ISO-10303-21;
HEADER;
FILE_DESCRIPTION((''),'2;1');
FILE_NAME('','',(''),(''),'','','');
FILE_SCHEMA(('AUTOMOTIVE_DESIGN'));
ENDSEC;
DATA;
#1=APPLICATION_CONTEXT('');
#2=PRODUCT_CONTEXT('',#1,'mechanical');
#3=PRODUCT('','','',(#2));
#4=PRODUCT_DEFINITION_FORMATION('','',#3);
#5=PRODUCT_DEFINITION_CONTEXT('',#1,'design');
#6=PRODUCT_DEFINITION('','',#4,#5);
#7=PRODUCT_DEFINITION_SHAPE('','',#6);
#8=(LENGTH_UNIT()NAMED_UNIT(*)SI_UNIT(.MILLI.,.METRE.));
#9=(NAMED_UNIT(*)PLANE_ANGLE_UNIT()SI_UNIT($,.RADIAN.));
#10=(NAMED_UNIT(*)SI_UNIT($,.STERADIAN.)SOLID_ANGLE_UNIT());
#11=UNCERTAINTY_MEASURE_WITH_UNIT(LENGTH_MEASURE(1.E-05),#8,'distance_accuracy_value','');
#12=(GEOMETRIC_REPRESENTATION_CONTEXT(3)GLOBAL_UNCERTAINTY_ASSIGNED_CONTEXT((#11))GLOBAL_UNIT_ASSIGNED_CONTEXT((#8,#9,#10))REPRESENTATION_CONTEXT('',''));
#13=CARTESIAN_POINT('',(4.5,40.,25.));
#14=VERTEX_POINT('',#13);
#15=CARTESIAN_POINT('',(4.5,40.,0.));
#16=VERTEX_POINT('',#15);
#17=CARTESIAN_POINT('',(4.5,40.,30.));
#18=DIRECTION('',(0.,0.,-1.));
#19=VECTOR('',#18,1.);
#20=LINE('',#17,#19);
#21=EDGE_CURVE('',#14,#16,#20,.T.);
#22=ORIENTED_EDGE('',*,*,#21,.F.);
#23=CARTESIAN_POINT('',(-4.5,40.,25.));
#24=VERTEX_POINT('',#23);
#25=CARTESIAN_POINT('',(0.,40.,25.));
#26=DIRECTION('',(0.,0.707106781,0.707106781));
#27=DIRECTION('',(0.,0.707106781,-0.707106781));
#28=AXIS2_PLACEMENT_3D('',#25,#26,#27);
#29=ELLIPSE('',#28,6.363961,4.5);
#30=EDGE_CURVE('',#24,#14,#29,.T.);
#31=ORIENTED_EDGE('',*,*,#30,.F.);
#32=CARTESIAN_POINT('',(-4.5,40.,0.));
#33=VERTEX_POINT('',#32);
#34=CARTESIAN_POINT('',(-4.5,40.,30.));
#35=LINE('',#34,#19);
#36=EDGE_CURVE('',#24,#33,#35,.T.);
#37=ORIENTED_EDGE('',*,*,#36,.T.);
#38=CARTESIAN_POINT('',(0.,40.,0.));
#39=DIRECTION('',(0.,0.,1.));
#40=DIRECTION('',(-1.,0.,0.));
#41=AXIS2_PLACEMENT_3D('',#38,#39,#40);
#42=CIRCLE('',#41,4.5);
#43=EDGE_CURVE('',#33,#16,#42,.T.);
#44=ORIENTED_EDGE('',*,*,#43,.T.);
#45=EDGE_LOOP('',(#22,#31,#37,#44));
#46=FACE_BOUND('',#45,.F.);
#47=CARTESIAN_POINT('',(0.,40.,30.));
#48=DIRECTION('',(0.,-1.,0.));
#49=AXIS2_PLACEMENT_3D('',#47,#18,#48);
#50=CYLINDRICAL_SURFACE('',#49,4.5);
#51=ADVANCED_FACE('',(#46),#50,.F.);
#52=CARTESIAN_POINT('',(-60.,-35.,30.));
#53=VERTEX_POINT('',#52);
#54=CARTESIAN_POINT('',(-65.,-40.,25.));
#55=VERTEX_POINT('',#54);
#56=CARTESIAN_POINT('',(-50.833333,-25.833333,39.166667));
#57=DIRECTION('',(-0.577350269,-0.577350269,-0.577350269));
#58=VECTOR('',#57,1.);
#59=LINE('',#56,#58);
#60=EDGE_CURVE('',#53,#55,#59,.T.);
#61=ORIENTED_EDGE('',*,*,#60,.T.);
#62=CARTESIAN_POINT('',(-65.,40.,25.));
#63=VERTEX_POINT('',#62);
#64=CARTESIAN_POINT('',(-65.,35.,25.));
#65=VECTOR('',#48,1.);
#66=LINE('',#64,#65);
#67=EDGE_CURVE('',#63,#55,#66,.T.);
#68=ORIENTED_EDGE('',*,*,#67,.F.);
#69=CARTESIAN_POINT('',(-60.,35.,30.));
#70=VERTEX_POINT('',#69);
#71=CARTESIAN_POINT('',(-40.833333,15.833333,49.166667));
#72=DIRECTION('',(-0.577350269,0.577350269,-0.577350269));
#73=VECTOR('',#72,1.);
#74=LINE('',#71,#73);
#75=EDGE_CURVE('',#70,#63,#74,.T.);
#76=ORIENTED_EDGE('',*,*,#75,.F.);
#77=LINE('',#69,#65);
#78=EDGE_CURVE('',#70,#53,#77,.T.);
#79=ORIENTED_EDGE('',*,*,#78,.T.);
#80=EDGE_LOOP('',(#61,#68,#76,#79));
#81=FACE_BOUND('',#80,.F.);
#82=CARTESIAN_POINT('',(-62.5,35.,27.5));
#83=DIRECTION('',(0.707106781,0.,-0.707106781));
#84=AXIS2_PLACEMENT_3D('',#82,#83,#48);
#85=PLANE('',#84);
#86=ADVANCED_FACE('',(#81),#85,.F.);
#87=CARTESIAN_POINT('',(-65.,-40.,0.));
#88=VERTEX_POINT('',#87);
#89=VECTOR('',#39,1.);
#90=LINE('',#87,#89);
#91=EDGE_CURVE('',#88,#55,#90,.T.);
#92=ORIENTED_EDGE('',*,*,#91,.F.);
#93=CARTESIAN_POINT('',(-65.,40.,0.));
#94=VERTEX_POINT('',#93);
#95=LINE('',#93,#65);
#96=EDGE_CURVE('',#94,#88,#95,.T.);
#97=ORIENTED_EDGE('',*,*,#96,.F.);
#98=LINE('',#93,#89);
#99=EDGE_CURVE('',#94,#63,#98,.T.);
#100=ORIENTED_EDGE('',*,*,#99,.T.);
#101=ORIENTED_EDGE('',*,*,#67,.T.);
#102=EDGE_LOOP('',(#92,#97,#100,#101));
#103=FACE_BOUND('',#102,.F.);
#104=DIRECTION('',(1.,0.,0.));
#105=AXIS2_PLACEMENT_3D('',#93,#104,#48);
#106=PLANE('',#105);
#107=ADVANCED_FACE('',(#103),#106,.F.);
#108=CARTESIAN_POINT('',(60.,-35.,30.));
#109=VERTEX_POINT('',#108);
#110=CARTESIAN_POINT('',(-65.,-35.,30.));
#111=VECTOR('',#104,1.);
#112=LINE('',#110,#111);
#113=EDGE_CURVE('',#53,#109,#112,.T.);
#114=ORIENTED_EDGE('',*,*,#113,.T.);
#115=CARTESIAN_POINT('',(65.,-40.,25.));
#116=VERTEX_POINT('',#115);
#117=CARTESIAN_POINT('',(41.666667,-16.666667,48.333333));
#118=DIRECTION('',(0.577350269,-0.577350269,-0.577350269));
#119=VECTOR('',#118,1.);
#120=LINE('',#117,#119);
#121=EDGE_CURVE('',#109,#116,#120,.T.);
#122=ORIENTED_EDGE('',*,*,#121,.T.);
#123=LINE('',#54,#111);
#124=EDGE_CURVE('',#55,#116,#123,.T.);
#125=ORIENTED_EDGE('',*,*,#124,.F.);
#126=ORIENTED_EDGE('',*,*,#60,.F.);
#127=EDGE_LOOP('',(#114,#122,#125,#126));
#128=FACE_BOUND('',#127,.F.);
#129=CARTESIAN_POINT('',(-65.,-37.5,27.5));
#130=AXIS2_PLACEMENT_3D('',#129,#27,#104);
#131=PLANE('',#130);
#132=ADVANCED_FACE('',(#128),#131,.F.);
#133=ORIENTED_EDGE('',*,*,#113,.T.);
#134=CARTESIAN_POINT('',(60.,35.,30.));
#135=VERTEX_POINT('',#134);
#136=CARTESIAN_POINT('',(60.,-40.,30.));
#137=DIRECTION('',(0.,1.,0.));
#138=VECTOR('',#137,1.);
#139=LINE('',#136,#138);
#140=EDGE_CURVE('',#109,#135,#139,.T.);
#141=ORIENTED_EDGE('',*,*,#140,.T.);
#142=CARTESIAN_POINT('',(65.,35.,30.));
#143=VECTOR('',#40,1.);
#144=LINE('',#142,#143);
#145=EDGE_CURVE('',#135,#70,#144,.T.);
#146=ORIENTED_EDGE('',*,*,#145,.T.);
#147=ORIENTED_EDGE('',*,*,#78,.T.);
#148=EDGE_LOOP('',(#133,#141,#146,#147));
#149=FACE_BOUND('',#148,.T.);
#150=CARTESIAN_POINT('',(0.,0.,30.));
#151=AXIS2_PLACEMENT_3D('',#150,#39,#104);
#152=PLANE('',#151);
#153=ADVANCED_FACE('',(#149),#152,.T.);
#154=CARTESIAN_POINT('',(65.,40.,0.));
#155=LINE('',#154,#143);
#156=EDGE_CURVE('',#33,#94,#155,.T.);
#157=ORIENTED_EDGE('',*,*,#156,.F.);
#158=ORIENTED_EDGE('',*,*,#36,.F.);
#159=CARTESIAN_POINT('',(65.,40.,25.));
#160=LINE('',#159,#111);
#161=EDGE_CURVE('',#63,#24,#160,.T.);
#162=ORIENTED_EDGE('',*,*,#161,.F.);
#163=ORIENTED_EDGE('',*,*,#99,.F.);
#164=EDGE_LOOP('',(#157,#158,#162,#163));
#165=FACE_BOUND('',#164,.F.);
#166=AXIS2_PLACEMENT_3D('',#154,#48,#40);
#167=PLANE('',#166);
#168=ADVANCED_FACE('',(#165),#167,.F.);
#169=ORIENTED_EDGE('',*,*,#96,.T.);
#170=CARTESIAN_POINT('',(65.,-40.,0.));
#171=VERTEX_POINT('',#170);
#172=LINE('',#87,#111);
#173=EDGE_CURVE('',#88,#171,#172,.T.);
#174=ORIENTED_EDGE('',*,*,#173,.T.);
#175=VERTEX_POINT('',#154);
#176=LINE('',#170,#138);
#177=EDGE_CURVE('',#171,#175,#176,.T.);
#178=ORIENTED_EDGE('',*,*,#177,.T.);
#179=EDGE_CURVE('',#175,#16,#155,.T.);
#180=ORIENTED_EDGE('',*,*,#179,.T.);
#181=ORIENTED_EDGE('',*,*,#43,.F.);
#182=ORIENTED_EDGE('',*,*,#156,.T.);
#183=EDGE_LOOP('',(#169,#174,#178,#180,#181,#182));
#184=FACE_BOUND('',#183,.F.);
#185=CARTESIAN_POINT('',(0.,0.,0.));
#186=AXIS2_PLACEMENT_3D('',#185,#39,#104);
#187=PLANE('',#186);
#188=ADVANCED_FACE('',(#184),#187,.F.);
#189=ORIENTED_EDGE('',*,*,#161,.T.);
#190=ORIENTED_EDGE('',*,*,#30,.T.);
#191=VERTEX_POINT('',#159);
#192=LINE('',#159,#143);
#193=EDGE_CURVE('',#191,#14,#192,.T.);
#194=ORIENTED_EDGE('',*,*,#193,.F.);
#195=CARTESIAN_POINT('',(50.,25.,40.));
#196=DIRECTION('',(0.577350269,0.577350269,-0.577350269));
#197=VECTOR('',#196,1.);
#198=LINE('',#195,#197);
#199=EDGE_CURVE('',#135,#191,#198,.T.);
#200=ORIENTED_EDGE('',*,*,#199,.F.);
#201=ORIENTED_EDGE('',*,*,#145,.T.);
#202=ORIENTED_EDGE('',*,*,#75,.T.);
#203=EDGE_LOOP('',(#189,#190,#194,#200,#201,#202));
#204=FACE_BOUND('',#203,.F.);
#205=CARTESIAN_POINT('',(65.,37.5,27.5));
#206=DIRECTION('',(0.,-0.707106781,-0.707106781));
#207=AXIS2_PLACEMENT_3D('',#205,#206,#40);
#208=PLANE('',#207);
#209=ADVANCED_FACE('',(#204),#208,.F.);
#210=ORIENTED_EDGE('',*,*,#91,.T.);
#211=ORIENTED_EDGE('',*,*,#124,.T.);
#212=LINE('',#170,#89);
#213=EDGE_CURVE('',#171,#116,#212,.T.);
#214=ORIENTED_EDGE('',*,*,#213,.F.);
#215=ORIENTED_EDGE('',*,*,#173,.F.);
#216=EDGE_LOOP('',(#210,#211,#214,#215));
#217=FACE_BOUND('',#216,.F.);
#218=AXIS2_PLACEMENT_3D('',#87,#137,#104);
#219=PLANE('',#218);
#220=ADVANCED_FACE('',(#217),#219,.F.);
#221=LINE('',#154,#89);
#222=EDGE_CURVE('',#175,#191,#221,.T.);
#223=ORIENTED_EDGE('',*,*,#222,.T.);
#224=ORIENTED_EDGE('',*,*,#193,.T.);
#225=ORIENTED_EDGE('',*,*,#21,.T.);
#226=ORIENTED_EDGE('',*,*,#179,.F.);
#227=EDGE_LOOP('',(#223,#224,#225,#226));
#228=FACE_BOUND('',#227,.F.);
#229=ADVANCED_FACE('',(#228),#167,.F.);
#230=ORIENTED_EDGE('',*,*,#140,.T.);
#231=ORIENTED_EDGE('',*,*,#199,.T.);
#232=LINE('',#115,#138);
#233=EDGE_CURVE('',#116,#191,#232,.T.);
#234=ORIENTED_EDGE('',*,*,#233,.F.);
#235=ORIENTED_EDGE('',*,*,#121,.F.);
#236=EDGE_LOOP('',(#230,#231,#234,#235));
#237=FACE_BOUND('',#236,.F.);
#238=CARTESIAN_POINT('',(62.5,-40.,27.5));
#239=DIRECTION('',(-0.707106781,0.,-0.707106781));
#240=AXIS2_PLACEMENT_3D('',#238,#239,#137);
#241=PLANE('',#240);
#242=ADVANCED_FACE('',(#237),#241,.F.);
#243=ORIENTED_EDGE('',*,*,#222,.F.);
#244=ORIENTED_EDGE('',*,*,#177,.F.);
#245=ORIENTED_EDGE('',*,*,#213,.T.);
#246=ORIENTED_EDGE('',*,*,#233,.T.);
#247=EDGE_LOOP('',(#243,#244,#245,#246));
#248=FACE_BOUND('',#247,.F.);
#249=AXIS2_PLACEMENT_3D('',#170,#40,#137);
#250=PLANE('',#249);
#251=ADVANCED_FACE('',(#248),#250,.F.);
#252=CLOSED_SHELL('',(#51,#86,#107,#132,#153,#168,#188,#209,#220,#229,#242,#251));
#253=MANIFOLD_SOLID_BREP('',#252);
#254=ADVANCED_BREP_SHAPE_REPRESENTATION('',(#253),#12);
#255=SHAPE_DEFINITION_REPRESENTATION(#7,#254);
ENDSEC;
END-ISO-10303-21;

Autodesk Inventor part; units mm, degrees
ref_plane "YZ Plane" through (0, 0, 0) normal (1, 0, 0) x (0, 1, 0)
ref_plane "XZ Plane" through (0, 0, 0) normal (0, 1, 0) x (-1, 0, 0)
ref_plane "XY Plane" through (0, 0, 0) normal (0, 0, 1) x (1, 0, 0)
sketch "Sketch1" plane through (0, 0, 0) normal (0, 0, 1) x (1, 0, 0)
  line L0 (-65, -40) -> (65, -40)
  line L1 (65, -40) -> (65, 40)
  line L2 (65, 40) -> (-65, 40)
  line L3 (-65, 40) -> (-65, -40)
  line L4 (-65, -40) -> (65, 40) construction
  line L5 (65, -40) -> (-65, 40) construction
  point P0 (0, 0)
  dimension "d0" = 80
  dimension "d1" = 130
extrude "Extrusion1" add sketch "Sketch1" along normal blind 30
sketch "Sketch2" plane through (0, 0, 30) normal (0, 0, 1) x (1, 0, 0)
  line L0 (-65, -40) -> (65, -40) projected
  line L1 (65, -40) -> (65, 40) projected
  line L2 (65, 40) -> (-65, 40) projected
  point P0 (0, 0)
  point P1 (0, 40)
hole "Hole1" at (0, 40, 30) direction (0, 0, -1) diameter 9 depth 30
chamfer "Chamfer1" distance 5 angle 45 5 edges at (34.75, 40, 30) (-34.75, 40, 30) (65, 0, 30) (0, -40, 30) (-65, 0, 30)
properties part number "block"
